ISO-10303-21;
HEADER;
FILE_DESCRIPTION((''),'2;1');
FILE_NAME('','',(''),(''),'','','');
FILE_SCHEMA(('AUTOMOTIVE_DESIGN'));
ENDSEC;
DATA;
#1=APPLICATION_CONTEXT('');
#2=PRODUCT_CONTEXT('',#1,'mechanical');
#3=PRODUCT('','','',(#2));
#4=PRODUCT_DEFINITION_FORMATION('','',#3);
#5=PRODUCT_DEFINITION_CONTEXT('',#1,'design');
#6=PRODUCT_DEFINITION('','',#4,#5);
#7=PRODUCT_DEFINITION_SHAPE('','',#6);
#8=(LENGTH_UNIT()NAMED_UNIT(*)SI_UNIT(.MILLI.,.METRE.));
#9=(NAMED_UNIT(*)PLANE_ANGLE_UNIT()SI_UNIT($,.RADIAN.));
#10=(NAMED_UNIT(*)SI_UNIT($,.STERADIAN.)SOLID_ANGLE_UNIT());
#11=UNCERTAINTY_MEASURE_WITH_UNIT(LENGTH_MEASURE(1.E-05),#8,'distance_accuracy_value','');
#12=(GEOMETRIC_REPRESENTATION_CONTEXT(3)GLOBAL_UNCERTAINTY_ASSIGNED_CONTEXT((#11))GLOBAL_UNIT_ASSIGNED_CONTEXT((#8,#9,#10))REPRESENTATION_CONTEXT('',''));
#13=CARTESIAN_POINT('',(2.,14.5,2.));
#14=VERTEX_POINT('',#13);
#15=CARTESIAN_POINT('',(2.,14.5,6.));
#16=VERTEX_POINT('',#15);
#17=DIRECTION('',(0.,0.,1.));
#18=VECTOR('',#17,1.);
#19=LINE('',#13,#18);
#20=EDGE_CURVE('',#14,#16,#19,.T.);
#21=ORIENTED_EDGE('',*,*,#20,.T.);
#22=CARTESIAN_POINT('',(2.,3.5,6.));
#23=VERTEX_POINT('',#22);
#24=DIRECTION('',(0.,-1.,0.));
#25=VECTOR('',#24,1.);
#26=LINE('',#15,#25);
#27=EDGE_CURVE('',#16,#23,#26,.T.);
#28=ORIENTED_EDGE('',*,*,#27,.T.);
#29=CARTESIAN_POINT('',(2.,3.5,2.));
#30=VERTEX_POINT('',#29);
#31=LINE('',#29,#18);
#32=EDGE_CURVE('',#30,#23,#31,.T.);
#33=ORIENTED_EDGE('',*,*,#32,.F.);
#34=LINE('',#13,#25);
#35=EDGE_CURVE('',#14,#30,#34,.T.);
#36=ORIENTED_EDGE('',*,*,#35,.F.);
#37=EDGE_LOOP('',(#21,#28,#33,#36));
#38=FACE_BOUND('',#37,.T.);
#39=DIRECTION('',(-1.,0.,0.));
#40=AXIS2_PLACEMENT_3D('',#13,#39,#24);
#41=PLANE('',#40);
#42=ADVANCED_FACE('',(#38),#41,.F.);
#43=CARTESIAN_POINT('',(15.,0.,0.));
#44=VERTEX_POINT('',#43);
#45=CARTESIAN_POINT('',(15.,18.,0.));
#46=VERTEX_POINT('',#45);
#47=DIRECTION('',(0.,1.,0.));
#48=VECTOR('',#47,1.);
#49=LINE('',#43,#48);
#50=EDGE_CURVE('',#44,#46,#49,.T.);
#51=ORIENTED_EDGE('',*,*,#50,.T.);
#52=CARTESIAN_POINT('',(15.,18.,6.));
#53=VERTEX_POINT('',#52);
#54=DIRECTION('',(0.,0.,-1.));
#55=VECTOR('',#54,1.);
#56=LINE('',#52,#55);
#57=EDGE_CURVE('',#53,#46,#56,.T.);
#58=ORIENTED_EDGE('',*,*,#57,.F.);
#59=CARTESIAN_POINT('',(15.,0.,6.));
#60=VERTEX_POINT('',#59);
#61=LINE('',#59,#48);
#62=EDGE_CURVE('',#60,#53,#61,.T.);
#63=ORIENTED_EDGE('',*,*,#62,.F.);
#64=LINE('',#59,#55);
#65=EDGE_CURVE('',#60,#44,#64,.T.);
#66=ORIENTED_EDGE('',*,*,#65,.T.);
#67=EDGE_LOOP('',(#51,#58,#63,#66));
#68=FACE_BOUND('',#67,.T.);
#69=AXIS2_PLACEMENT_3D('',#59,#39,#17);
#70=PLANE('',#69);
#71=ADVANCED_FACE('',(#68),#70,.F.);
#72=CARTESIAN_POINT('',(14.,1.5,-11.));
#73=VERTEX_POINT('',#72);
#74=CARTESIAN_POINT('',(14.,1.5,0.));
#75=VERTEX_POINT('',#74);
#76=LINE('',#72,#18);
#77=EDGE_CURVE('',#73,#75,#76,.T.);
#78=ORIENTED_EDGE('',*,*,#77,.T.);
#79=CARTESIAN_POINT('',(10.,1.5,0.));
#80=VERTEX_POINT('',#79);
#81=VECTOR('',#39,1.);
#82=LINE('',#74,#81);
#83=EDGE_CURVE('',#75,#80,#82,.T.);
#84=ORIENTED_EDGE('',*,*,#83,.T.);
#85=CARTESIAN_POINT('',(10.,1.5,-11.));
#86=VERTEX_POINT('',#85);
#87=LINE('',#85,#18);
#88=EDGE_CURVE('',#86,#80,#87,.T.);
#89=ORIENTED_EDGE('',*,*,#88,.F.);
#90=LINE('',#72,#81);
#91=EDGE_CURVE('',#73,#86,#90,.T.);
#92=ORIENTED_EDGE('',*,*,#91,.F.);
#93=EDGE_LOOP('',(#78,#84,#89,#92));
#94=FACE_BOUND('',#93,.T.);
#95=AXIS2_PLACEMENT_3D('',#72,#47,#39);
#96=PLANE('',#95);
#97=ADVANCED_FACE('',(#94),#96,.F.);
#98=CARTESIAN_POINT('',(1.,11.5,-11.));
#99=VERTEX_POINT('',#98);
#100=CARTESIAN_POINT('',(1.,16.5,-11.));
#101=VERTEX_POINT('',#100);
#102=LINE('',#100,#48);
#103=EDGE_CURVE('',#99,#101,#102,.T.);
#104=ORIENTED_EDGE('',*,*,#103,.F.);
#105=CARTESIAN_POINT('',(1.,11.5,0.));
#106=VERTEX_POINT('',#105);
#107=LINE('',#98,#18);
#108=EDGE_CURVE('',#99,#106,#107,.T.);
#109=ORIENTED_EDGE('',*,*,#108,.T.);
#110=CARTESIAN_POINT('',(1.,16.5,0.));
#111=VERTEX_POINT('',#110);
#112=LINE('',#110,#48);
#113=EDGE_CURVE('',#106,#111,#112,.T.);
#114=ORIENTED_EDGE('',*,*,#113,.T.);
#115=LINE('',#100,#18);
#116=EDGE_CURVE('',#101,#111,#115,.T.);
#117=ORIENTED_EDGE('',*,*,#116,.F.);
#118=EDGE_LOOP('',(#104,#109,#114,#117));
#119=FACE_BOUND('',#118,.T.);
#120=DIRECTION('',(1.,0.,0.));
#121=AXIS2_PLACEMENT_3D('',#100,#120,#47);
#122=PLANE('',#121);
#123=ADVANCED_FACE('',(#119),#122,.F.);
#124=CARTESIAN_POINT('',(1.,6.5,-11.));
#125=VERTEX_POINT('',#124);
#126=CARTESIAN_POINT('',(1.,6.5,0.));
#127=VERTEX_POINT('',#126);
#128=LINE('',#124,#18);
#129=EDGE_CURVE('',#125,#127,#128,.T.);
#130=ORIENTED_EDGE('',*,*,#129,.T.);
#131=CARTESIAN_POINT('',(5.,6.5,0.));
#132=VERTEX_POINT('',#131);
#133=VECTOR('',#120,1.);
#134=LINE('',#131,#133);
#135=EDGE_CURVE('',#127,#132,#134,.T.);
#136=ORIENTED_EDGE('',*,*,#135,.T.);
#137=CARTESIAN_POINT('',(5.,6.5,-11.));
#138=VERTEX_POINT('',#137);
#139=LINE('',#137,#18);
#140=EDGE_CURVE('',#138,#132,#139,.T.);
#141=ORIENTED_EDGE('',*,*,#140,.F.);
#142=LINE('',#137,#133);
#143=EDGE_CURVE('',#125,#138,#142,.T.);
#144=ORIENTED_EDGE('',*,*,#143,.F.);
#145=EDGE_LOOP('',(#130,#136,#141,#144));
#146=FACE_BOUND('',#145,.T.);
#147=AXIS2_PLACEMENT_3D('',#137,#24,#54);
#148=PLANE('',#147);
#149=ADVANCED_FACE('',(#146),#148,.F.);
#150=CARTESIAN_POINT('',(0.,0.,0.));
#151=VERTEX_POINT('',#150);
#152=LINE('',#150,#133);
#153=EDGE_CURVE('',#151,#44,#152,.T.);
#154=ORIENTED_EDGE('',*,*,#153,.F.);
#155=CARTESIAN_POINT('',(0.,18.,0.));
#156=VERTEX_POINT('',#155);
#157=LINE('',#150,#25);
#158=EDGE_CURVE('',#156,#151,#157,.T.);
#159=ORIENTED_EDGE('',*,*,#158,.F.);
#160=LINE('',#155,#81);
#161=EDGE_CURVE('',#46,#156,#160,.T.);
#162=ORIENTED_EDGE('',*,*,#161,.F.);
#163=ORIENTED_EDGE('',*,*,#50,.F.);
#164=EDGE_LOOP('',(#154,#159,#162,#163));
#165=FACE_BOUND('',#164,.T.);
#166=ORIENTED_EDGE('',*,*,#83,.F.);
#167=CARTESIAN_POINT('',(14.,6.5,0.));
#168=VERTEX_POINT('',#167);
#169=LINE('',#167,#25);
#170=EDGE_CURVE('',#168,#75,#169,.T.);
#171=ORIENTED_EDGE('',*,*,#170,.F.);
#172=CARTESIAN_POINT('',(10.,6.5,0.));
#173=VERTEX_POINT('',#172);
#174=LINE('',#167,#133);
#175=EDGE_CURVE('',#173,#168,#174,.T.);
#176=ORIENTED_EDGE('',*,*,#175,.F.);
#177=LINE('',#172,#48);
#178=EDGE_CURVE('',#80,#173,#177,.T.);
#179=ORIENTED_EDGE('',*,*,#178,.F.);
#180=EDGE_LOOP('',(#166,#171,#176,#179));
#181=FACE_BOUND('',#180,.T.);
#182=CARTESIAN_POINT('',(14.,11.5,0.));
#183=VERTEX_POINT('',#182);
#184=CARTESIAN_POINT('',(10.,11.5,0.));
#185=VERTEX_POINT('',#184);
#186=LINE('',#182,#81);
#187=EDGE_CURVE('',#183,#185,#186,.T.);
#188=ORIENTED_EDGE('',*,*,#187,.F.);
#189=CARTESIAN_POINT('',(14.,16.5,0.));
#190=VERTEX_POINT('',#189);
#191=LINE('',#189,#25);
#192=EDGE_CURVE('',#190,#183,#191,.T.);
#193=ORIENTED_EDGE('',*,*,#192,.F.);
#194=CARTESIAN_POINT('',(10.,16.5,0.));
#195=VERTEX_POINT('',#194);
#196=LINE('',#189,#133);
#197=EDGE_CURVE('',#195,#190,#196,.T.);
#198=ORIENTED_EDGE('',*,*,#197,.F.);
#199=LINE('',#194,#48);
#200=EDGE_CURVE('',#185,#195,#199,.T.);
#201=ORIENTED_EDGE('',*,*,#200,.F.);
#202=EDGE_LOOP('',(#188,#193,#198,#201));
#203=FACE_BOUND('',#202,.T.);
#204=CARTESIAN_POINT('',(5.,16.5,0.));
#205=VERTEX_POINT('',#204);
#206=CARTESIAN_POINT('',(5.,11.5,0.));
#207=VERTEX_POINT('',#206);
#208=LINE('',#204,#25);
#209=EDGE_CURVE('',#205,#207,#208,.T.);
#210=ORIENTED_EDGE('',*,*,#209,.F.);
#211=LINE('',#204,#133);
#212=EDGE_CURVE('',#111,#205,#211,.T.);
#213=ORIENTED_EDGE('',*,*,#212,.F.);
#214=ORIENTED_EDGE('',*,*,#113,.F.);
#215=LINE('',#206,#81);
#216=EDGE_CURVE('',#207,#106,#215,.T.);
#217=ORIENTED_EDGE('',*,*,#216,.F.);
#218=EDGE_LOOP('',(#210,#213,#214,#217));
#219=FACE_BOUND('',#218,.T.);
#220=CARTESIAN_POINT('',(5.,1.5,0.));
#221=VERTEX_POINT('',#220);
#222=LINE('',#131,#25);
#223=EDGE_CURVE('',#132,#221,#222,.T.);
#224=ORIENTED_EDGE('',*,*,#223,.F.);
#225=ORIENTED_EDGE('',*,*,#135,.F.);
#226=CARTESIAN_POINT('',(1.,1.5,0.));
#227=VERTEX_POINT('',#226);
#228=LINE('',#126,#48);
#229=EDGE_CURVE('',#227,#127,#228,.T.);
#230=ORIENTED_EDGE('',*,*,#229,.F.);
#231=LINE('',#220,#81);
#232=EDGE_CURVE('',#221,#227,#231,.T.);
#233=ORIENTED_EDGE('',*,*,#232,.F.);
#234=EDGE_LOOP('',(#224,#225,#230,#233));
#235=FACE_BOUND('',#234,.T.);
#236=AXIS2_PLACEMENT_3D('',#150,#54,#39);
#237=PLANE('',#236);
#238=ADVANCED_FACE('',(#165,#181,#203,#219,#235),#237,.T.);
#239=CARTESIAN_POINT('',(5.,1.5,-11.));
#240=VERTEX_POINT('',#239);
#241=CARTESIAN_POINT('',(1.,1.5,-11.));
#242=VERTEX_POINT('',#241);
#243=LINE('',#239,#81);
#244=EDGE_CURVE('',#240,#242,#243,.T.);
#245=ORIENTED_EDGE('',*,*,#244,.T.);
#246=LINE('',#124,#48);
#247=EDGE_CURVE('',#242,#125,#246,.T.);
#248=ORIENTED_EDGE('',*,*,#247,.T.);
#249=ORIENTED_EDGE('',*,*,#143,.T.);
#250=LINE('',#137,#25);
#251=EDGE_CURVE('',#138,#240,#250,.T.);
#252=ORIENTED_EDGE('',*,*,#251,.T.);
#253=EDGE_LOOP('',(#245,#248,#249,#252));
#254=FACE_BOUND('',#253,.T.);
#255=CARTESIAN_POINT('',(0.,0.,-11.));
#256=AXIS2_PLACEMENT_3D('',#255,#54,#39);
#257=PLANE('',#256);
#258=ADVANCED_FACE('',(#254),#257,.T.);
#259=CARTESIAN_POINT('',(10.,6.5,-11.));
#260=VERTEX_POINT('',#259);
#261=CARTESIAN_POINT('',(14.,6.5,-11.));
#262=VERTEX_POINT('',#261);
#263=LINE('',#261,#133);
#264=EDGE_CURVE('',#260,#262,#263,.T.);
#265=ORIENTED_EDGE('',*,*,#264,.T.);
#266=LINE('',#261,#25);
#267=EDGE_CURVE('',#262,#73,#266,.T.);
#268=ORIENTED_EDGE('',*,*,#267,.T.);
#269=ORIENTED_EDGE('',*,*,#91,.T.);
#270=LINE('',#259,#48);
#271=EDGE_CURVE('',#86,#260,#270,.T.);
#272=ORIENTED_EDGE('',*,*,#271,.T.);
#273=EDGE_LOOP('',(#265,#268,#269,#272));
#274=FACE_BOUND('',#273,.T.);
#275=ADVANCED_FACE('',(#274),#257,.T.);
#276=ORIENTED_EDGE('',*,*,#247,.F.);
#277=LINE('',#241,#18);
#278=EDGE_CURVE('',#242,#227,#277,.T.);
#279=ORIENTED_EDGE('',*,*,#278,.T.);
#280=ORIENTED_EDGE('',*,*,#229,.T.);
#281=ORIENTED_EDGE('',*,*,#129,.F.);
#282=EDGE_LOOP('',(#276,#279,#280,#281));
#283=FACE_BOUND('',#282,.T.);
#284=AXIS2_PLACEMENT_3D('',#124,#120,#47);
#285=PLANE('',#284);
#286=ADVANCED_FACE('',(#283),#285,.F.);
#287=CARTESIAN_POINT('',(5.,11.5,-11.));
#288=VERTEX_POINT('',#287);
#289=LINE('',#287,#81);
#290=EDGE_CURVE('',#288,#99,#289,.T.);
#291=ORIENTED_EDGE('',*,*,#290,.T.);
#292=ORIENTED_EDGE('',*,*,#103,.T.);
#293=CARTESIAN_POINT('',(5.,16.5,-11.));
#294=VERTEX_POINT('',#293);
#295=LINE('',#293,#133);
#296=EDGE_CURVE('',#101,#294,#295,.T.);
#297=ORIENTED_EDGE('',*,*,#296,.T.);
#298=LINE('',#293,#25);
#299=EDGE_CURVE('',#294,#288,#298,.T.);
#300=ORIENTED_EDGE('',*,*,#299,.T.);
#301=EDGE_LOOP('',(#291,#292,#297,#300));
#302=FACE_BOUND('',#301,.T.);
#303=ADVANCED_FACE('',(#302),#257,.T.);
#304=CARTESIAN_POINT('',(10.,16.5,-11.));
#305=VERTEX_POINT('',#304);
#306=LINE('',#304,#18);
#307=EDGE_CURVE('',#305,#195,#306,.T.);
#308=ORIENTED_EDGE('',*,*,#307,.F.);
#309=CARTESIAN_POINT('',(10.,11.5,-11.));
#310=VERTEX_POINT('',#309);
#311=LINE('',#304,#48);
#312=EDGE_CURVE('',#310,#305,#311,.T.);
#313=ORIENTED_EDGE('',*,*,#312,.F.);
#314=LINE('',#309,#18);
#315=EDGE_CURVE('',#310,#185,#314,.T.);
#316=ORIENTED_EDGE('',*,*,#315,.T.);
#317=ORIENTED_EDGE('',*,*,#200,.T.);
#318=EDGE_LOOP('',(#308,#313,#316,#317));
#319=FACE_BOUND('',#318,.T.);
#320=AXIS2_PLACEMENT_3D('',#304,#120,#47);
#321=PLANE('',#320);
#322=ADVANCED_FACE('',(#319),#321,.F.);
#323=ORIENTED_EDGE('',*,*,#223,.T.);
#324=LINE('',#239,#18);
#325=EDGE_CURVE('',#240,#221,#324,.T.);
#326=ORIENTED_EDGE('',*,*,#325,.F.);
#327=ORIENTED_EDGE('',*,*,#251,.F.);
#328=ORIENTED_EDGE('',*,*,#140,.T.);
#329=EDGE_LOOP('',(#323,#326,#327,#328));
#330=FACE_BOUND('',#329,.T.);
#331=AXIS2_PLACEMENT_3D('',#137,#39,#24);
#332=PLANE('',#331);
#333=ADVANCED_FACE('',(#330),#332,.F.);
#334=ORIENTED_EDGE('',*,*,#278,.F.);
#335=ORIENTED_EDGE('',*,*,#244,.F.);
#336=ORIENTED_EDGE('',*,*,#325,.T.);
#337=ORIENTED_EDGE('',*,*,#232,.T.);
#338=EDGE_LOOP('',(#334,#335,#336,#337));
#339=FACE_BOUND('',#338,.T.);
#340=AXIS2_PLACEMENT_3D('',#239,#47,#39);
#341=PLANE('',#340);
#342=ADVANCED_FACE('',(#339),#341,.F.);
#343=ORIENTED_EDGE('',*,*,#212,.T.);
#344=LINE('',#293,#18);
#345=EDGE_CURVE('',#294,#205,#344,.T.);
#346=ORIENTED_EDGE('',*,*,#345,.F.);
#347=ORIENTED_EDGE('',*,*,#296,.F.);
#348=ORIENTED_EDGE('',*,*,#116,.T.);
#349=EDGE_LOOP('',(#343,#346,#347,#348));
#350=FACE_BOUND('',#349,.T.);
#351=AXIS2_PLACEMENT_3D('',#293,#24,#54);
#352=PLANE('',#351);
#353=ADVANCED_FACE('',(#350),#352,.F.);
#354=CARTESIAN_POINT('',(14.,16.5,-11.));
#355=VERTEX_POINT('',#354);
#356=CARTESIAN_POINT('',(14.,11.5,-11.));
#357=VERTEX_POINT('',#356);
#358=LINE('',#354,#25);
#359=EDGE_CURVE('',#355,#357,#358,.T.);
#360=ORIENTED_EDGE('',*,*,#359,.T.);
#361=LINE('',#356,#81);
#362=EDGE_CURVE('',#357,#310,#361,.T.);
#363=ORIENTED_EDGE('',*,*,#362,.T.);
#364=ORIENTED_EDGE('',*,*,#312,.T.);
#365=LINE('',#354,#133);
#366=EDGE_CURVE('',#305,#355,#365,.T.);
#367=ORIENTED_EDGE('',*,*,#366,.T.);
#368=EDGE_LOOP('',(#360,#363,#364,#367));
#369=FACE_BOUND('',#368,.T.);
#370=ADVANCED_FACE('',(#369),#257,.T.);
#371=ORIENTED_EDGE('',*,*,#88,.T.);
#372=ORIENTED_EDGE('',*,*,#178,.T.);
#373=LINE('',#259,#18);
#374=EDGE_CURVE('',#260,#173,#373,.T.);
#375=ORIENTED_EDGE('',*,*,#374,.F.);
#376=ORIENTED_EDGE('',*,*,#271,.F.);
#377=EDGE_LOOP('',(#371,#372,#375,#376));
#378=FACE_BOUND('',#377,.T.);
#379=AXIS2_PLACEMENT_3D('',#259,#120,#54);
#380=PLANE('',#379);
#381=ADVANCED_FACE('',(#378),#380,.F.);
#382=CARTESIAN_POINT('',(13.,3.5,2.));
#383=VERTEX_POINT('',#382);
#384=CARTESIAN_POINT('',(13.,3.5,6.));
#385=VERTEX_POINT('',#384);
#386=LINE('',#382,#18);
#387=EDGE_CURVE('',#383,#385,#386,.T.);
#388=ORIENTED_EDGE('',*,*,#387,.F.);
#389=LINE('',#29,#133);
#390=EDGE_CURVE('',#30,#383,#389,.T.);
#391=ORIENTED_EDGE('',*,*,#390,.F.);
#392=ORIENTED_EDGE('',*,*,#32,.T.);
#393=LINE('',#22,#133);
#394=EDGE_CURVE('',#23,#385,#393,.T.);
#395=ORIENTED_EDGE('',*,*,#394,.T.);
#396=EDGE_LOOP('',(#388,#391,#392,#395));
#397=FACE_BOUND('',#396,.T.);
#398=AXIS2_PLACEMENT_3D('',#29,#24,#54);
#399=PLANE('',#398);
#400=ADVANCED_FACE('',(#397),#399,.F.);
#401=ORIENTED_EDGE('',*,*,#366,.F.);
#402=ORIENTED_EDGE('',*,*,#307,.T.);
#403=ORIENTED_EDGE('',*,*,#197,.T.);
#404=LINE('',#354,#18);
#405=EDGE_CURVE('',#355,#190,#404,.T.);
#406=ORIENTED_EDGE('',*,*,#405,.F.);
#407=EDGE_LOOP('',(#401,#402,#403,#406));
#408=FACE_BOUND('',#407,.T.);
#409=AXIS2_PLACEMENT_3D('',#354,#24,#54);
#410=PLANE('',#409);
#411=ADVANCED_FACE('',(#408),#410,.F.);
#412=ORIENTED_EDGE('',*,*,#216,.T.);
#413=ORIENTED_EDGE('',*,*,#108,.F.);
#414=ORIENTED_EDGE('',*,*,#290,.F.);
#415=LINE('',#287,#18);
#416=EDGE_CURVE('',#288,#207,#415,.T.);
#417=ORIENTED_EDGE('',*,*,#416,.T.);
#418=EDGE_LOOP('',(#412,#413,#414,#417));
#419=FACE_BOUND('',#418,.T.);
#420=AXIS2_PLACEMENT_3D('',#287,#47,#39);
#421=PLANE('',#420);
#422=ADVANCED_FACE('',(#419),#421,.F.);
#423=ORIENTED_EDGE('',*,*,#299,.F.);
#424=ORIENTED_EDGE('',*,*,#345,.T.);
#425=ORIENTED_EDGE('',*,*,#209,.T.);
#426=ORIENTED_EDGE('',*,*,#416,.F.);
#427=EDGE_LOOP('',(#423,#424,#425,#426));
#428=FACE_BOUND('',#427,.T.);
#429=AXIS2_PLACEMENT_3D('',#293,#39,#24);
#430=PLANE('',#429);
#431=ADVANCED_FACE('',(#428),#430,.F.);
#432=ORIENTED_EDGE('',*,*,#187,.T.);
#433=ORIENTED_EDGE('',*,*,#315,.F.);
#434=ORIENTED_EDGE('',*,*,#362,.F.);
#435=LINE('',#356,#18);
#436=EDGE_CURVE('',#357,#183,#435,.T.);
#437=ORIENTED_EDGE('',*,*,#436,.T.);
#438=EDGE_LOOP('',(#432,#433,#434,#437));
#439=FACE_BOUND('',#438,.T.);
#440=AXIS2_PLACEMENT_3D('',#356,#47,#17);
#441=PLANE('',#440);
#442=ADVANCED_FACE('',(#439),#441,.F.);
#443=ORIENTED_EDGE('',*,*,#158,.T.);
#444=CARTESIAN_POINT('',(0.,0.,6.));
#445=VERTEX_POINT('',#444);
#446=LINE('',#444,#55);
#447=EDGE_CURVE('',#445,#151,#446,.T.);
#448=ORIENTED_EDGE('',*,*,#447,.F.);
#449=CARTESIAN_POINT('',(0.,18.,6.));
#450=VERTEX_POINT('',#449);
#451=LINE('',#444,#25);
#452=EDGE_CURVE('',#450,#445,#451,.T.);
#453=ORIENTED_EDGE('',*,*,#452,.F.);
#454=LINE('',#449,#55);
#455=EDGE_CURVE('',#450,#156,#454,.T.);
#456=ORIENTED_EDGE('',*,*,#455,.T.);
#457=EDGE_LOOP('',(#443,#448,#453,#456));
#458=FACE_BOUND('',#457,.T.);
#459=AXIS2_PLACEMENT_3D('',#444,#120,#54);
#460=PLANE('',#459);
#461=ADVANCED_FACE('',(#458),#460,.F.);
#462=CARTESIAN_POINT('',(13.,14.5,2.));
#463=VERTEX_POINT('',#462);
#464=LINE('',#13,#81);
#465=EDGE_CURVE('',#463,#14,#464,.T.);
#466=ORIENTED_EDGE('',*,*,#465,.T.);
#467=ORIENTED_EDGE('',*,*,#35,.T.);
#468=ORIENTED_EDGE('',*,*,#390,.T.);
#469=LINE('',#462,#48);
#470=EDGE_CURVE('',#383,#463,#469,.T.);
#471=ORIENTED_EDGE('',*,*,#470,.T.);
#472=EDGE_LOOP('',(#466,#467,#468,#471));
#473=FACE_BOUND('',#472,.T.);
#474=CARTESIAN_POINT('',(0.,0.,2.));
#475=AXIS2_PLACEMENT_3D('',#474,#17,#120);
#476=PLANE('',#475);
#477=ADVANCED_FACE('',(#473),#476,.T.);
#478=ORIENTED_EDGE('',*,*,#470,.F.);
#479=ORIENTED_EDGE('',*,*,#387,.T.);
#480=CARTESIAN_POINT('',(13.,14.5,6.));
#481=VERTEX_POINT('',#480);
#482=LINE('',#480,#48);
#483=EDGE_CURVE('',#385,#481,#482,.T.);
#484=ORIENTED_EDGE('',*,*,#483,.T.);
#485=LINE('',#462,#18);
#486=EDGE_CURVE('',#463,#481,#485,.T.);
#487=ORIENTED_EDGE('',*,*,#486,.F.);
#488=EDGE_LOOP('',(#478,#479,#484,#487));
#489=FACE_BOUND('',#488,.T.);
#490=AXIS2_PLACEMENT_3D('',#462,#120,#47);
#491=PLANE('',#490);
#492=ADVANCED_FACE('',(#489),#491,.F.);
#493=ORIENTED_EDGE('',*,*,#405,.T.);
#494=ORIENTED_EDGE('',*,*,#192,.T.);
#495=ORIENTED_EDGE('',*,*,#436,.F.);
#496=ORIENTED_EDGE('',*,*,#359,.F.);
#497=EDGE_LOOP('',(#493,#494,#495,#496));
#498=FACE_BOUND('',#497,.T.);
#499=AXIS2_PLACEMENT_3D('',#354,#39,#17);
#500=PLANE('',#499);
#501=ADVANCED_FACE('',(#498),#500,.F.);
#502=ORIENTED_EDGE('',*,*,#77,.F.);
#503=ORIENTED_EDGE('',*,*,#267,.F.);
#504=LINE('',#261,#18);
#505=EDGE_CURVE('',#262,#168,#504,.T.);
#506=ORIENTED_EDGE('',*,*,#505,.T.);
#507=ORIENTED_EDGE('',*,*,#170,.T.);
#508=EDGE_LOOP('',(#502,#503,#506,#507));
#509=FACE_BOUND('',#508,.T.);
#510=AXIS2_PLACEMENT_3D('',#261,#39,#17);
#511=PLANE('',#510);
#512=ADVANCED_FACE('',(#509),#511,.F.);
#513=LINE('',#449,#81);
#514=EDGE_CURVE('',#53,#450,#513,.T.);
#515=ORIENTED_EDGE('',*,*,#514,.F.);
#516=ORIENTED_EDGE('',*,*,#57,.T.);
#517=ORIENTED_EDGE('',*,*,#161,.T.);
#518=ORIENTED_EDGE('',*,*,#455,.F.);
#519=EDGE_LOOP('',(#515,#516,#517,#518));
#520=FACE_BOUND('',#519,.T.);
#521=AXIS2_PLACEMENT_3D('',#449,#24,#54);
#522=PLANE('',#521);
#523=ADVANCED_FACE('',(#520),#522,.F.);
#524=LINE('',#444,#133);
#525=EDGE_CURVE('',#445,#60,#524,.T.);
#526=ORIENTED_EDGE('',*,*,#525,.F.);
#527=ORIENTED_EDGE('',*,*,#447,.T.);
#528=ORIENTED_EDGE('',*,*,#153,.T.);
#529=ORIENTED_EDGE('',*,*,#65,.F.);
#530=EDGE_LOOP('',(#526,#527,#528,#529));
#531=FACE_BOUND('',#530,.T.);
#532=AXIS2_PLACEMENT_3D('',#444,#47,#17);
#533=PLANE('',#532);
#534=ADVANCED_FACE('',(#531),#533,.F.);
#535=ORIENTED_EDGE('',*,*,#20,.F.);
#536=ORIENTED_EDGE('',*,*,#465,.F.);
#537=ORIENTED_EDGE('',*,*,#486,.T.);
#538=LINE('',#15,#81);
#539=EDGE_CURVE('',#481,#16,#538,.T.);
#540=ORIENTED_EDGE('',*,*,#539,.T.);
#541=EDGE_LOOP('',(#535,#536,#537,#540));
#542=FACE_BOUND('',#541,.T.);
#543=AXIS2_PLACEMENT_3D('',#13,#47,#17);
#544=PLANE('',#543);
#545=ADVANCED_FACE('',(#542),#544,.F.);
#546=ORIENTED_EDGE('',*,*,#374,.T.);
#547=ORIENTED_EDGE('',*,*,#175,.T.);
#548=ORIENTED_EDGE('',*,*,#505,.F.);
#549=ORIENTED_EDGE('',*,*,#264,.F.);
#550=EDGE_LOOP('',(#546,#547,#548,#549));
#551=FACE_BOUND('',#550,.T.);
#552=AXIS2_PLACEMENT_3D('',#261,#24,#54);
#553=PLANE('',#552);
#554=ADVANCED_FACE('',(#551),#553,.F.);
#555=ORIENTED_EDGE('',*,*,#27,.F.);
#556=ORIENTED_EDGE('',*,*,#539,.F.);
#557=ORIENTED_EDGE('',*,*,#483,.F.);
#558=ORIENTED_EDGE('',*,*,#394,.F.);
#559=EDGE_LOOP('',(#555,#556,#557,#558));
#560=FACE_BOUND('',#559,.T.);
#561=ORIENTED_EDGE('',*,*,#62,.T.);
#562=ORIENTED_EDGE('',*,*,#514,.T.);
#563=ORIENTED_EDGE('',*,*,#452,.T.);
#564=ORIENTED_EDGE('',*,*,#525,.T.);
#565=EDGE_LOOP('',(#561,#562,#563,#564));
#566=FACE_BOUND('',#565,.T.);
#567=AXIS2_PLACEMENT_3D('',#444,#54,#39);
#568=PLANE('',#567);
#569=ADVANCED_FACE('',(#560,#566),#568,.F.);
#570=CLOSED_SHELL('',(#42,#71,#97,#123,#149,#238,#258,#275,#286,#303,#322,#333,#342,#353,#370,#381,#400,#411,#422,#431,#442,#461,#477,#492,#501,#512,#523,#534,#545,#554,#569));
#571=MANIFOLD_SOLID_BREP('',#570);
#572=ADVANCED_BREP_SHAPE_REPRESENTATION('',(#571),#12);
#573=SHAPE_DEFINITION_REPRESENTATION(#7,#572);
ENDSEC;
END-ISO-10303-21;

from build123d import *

# Parameters (mm, degrees)
SKETCH1_W           = 15
SKETCH1_H           = 18
BOSS_EXTRUDE1_DEPTH = 6
SKETCH2_W           = 11
SKETCH2_H           = 11
CUT_EXTRUDE1_DEPTH  = 4
SKETCH3_W           = 4
SKETCH3_H           = 5
BOSS_EXTRUDE2_DEPTH = 11


with BuildPart() as part:
    # Sketch1 → Boss-Extrude1 (new body)
    with BuildSketch(Plane.XY):
        with Locations((7.5, 9)):
            Rectangle(SKETCH1_W, SKETCH1_H)
    extrude(amount=BOSS_EXTRUDE1_DEPTH)

    # Sketch2 → Cut-Extrude1 (cut)
    with BuildSketch(Plane.XY.offset(6)):
        with Locations((7.5, 9)):
            Rectangle(SKETCH2_W, SKETCH2_H)
    extrude(amount=-CUT_EXTRUDE1_DEPTH, mode=Mode.SUBTRACT)

    # Sketch3 → Boss-Extrude2 (add)
    with BuildSketch(Plane(origin=(0, 0, 0), x_dir=(-1, 0, 0), z_dir=(0, 0, -1))):
        with Locations((-12, 14)):
            Rectangle(SKETCH3_W, SKETCH3_H)
        with Locations((-3, 14)):
            Rectangle(SKETCH3_W, SKETCH3_H)
        with Locations((-12, 4)):
            Rectangle(SKETCH3_W, SKETCH3_H)
        with Locations((-3, 4)):
            Rectangle(SKETCH3_W, SKETCH3_H)
    extrude(amount=BOSS_EXTRUDE2_DEPTH)


solid = part.part
